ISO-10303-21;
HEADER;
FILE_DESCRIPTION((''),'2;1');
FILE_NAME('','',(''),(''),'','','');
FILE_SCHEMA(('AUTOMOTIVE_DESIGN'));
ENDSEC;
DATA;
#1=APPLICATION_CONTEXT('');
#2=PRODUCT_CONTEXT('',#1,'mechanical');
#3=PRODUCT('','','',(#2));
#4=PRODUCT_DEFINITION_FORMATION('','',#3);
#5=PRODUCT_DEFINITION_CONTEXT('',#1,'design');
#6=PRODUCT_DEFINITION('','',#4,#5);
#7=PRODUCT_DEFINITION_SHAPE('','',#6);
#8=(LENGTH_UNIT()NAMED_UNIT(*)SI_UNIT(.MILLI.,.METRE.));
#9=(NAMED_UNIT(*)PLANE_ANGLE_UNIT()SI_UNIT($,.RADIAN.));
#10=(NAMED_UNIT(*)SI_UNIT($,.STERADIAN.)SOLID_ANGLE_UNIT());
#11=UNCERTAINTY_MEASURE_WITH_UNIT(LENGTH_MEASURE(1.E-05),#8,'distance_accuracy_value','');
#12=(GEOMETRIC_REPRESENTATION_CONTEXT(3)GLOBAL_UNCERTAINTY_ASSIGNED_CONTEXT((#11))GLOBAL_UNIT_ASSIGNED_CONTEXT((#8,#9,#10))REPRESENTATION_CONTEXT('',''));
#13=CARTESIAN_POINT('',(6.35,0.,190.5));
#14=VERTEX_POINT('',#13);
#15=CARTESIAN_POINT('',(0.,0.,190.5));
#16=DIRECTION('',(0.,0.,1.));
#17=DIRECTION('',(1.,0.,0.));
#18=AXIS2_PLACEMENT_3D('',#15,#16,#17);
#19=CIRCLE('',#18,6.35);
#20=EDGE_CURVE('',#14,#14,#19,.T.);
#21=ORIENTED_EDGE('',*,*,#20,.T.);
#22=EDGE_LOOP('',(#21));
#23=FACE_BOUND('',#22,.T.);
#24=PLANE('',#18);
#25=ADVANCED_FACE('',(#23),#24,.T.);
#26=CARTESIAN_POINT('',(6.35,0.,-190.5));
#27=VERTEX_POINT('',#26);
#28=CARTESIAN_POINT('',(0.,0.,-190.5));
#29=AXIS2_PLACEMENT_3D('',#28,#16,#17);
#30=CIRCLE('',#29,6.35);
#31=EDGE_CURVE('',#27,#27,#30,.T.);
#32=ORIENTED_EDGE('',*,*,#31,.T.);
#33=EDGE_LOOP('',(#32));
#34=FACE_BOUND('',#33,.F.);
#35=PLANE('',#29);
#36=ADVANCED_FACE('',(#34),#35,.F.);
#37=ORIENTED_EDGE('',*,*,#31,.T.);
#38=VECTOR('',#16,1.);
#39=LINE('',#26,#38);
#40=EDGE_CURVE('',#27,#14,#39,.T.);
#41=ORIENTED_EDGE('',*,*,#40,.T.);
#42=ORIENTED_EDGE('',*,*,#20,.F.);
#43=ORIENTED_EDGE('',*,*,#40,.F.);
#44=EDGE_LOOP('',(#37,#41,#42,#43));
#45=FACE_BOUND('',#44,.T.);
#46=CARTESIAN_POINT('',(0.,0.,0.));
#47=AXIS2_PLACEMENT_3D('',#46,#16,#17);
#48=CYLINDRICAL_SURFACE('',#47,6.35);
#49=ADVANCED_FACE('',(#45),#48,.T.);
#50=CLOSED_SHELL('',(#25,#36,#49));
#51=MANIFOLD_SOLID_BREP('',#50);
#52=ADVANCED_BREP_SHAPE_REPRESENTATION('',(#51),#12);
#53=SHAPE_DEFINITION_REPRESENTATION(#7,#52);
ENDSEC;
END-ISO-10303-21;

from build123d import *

# Parameters (mm, degrees)
SKETCH1_R           = 6.35
BOSS_EXTRUDE1_DEPTH = 190.5


with BuildPart() as part:
    # Sketch1 → Boss-Extrude1 (new body, symmetric)
    with BuildSketch(Plane.XY):
        Circle(SKETCH1_R)
    extrude(amount=BOSS_EXTRUDE1_DEPTH, both=True)


solid = part.part
